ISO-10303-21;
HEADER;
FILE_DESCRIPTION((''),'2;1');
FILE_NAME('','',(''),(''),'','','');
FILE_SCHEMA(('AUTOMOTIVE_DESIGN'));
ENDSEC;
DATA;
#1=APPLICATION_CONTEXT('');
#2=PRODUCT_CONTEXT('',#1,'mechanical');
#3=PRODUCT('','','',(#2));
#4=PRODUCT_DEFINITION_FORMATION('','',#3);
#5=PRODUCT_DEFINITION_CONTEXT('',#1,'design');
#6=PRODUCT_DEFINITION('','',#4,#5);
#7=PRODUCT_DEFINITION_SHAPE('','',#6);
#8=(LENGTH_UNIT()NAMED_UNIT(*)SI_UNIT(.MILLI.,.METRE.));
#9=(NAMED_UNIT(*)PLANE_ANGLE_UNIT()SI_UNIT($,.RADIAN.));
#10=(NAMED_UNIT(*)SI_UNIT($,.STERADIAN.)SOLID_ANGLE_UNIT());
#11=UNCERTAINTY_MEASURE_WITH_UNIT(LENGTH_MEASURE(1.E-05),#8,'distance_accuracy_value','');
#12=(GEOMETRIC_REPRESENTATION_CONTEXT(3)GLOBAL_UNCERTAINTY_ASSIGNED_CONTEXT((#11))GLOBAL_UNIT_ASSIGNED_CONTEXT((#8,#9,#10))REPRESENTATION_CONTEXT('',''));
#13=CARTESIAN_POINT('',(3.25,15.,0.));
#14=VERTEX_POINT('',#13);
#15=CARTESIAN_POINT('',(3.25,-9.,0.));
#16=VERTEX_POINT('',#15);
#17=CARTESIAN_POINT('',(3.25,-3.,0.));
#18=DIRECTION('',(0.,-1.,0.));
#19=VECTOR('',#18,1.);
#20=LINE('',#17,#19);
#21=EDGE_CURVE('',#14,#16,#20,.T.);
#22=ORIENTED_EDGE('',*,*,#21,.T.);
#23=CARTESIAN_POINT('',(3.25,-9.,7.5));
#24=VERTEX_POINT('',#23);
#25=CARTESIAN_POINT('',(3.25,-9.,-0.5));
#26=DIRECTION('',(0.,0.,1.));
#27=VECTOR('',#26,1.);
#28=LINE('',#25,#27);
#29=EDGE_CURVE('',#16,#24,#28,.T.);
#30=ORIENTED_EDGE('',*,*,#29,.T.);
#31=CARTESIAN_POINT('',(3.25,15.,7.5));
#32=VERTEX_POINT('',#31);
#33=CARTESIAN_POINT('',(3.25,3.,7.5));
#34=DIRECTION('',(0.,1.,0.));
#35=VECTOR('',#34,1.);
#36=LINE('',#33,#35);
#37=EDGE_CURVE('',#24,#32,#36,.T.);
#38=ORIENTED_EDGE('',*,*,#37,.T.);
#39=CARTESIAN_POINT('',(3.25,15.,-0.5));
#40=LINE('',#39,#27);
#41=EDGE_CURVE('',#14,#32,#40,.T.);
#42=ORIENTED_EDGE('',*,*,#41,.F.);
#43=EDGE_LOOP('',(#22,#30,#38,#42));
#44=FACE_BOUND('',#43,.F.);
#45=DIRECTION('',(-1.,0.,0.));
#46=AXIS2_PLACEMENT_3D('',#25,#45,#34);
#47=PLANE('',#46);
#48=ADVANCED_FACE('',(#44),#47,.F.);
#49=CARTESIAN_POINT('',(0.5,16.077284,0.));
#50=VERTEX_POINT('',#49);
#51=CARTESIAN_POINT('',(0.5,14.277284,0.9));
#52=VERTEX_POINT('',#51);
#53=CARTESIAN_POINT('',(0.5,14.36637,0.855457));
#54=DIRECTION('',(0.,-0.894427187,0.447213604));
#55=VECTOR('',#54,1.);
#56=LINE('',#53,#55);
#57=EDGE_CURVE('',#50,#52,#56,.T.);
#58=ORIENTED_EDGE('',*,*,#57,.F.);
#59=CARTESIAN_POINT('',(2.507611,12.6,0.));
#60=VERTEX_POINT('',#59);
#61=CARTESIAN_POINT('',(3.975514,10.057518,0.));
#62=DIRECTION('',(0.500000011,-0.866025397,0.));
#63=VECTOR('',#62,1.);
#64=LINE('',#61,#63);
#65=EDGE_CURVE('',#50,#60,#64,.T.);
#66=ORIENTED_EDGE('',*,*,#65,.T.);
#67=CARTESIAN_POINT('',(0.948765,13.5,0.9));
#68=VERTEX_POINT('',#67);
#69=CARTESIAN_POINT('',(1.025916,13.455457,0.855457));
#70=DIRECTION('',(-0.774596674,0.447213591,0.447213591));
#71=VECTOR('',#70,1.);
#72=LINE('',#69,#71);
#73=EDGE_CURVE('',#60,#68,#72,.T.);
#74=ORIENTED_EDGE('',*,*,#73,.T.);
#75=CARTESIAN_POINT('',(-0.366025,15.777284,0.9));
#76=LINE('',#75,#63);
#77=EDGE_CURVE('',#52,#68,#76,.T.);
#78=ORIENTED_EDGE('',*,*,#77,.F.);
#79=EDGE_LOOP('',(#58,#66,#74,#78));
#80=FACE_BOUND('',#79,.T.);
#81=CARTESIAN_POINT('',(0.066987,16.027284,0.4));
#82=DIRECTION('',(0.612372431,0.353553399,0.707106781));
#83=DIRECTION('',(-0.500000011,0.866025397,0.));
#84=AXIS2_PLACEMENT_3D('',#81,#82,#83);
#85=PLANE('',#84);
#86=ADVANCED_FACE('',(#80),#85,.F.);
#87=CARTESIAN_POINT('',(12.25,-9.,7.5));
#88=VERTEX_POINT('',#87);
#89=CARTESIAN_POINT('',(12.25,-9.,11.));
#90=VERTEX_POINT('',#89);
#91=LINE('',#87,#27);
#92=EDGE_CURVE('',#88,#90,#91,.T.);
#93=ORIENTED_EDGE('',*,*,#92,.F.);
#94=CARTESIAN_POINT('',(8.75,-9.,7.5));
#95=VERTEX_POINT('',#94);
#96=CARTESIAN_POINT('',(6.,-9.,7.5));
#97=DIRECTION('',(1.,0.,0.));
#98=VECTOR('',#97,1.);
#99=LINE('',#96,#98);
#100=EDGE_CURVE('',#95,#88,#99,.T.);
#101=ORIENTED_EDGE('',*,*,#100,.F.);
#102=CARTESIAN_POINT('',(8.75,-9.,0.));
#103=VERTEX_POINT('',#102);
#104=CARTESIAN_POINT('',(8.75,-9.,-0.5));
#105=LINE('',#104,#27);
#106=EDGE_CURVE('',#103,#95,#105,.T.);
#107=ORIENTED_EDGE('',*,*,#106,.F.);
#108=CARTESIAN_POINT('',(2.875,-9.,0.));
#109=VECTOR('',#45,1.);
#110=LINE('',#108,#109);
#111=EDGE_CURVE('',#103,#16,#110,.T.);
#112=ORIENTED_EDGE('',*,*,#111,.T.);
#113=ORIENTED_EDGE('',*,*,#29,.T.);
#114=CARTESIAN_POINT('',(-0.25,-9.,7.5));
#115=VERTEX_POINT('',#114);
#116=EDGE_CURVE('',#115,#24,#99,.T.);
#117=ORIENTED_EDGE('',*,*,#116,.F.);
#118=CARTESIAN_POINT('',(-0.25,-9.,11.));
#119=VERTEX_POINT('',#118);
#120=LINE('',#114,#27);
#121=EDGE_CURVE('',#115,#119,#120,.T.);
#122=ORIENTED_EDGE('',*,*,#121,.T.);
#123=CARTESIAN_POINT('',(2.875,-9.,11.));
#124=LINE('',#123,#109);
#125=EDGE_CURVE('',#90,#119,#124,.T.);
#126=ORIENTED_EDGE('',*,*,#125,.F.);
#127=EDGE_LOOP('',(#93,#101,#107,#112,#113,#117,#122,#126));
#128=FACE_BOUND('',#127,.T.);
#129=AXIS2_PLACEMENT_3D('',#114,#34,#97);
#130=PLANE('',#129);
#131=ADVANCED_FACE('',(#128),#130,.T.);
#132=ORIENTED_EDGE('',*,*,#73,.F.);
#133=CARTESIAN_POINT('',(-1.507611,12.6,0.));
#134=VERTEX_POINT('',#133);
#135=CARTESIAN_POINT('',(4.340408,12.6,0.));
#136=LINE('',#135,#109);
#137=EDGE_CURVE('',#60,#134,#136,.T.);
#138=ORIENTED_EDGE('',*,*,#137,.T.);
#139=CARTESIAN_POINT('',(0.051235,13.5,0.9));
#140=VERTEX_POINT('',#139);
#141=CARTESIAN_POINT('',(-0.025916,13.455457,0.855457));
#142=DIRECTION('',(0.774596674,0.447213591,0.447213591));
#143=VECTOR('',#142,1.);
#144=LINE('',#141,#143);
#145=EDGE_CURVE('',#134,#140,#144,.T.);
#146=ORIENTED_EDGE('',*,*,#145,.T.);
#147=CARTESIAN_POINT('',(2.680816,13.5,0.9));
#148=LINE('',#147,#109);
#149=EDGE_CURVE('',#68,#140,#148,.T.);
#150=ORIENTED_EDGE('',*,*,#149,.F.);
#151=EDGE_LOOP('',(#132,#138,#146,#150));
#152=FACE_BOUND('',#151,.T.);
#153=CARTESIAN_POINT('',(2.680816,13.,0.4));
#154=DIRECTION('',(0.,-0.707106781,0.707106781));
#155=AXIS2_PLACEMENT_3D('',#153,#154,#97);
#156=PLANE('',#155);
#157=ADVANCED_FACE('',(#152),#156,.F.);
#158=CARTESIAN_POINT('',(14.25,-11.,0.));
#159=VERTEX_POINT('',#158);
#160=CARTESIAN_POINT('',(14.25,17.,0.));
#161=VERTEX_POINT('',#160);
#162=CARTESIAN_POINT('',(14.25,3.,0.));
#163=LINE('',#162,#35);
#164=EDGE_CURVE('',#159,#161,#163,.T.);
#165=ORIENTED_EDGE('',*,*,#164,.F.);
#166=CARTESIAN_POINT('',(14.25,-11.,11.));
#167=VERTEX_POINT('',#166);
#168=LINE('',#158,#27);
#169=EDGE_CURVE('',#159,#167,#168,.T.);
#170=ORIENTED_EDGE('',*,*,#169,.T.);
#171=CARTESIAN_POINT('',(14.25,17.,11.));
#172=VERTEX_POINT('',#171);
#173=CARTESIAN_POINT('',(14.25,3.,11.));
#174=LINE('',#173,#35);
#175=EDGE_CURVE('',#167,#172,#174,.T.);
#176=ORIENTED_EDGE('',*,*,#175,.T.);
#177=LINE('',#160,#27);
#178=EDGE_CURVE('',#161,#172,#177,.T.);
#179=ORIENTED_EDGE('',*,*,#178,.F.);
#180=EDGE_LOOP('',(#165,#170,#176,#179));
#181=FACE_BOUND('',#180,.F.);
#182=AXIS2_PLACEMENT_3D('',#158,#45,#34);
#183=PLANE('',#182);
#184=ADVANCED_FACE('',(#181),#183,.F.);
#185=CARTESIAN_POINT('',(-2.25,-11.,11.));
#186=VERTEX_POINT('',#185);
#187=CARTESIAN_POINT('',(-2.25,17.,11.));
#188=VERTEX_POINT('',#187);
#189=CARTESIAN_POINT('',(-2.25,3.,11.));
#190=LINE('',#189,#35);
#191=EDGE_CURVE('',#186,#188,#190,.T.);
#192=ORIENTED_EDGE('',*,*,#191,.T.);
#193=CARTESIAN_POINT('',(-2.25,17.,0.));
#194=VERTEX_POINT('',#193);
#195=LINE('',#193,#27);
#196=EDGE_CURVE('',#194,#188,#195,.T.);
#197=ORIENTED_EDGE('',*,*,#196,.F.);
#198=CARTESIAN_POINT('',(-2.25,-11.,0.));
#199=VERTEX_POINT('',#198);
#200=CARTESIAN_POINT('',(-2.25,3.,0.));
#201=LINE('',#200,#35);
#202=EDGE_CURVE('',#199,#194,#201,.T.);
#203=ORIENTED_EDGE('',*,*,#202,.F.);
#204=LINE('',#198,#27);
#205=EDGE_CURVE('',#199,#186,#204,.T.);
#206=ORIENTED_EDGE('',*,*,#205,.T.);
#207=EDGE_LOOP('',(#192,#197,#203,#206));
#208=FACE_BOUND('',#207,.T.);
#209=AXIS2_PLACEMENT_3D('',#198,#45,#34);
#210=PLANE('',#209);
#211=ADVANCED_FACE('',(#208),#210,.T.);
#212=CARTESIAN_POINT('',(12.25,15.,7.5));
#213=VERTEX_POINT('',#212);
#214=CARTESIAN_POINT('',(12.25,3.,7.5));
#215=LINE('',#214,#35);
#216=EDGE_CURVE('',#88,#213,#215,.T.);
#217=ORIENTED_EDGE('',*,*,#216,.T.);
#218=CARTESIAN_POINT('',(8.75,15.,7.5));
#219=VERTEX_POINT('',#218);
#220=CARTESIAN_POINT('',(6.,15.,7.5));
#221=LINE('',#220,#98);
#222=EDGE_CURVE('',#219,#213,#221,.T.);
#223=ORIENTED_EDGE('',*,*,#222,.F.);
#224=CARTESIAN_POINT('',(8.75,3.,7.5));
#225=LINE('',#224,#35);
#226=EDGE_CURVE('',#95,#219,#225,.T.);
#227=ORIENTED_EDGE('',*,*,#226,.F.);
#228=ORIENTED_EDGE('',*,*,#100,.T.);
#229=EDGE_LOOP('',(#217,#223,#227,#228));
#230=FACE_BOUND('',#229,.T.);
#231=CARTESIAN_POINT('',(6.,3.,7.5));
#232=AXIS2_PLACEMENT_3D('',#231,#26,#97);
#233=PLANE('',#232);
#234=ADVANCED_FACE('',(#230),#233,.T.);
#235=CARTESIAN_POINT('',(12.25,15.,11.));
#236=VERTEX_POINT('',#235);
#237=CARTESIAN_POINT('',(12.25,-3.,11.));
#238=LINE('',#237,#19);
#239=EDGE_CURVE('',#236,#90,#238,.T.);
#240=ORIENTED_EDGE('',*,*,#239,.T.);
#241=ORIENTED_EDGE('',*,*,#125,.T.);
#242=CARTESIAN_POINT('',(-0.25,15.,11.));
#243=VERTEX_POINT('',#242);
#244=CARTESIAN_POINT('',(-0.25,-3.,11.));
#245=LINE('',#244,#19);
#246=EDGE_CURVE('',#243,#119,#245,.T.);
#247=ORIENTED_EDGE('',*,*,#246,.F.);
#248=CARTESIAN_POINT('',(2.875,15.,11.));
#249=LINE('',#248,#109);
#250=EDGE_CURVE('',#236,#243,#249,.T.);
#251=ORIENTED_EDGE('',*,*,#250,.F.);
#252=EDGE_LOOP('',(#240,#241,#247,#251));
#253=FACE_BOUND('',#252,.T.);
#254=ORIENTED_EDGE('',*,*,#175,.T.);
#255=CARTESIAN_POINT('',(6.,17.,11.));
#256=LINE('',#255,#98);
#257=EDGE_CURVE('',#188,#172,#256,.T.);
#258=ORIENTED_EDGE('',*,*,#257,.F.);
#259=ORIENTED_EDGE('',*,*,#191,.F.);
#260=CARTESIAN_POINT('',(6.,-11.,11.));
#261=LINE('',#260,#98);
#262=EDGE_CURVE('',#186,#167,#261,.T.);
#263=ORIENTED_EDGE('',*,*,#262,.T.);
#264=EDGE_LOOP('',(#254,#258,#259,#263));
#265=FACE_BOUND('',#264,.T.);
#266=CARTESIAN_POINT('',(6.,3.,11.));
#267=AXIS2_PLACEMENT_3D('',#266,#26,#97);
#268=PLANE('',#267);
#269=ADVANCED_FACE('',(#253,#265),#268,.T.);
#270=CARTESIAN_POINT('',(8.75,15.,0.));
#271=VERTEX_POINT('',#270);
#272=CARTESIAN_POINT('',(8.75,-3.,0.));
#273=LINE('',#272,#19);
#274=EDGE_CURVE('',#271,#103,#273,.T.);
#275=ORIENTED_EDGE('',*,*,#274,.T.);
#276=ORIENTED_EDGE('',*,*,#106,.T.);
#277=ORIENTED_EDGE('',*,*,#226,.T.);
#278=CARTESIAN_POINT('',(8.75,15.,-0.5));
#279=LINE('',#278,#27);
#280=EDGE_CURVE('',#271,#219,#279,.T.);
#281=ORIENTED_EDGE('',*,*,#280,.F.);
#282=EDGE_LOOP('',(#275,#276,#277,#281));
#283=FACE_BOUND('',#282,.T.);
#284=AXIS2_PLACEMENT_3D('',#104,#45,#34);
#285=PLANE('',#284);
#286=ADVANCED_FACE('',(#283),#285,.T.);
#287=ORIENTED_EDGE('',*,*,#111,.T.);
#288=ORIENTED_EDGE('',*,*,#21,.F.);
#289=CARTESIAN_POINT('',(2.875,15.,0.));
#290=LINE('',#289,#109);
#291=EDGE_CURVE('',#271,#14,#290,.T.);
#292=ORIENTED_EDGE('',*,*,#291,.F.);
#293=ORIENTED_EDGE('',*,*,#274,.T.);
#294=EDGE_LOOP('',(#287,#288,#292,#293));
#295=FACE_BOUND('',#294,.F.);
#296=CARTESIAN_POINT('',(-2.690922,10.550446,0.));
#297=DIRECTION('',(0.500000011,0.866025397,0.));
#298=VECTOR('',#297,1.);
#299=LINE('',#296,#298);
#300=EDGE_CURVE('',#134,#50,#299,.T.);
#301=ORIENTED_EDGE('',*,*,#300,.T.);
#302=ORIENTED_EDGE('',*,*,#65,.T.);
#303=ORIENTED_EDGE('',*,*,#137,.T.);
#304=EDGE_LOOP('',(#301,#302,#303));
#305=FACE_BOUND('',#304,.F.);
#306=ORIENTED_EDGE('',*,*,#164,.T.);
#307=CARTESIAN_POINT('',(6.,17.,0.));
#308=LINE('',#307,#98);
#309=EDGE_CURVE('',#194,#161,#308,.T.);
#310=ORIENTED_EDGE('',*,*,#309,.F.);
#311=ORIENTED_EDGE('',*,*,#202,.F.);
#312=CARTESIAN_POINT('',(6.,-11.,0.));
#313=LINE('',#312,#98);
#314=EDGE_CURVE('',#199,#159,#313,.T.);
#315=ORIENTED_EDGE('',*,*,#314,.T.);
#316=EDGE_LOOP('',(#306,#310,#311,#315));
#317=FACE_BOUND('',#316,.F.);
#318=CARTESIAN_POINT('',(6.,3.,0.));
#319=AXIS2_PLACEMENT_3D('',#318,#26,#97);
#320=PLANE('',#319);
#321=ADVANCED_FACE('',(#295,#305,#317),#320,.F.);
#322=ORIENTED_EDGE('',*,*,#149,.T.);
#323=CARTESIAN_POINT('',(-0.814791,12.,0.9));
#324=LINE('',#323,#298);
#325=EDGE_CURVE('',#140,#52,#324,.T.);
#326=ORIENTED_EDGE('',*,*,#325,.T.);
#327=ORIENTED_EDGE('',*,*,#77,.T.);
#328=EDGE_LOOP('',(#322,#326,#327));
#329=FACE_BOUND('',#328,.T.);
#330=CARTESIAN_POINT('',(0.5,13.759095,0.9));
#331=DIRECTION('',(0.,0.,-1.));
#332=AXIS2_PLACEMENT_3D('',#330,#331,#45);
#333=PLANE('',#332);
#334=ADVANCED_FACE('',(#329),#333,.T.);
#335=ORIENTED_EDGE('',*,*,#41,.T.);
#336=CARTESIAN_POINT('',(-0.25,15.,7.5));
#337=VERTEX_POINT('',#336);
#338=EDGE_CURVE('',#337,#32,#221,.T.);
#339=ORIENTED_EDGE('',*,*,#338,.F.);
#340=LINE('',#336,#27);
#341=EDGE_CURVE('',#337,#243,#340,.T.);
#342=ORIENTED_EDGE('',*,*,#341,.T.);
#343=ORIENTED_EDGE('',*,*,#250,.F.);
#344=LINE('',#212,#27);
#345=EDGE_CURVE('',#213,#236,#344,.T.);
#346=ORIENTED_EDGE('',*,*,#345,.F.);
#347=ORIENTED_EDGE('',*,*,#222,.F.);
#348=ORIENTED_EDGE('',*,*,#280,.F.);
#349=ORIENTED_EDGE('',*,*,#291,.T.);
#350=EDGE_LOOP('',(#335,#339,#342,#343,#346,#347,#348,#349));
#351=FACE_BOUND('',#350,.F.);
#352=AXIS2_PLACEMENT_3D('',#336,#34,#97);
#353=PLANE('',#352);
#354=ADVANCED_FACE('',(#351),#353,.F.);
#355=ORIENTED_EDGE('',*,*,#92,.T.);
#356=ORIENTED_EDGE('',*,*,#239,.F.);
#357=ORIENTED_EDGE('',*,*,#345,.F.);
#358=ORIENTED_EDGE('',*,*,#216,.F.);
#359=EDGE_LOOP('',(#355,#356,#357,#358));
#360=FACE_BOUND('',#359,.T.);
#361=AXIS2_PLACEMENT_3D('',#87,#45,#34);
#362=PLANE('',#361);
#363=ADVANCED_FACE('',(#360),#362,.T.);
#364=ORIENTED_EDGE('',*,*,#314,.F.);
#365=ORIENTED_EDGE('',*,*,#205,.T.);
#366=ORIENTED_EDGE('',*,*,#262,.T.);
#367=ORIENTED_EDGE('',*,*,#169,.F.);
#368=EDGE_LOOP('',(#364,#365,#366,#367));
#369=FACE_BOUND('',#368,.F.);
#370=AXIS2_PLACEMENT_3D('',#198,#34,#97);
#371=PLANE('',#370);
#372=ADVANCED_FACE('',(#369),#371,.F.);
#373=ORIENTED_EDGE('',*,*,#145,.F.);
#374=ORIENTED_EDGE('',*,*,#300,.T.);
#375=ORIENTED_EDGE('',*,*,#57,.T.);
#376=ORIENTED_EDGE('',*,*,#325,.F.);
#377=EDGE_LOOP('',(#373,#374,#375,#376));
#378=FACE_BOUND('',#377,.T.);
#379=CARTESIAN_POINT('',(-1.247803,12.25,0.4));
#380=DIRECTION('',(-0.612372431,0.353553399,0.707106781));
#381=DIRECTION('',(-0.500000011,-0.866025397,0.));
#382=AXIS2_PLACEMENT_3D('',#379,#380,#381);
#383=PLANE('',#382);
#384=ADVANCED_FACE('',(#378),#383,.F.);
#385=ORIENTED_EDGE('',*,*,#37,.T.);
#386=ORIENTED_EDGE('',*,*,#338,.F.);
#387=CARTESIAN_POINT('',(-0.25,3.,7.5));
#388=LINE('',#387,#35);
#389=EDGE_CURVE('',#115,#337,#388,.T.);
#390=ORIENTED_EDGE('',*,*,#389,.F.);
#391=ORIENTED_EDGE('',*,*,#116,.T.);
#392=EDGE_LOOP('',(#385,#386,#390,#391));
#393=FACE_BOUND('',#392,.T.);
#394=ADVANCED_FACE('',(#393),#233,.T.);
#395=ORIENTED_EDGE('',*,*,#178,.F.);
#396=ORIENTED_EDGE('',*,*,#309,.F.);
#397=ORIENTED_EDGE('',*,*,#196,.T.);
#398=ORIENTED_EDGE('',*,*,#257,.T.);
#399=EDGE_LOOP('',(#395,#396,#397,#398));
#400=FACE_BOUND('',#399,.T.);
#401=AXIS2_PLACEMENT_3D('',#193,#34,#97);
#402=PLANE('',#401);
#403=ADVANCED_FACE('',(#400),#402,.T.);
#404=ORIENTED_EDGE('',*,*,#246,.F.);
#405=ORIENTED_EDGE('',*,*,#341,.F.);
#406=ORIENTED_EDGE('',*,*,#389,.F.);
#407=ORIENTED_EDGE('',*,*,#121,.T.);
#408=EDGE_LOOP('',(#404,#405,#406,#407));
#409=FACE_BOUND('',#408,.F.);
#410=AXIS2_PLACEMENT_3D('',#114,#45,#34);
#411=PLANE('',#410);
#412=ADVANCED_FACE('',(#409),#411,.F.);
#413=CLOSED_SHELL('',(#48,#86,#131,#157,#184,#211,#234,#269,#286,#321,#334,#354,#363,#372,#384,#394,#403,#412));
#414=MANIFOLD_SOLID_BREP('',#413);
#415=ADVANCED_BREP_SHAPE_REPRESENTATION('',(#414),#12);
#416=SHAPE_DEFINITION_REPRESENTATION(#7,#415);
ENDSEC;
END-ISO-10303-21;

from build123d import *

# Parameters (mm, degrees)
BOX014_W                   = 5.5
BOX014_H                   = 24
BOX014_DEPTH               = 8
BOX016_W                   = 12.5
BOX016_H                   = 24
BOX016_DEPTH               = 4
PAD009_DEPTH               = 1.1
CHAMFER001_SIZE            = 1
CHAMFER001_PLACEMENT_ANGLE = 180
BOX015_W                   = 16.5
BOX015_H                   = 28
BOX015_DEPTH               = 11


with BuildPart() as cube014:
    # Box014 → Box014 (new body)
    with BuildSketch(Plane(origin=(3.25, -9, -0.5), x_dir=(1, 0, 0), z_dir=(0, 0, 1))):
        with Locations((2.75, 12)):
            Rectangle(BOX014_W, BOX014_H)
    extrude(amount=BOX014_DEPTH)


with BuildPart() as cube016:
    # Box016 → Box016 (new body)
    with BuildSketch(Plane(origin=(-0.25, -9, 7.5), x_dir=(1, 0, 0), z_dir=(0, 0, 1))):
        with Locations((6.25, 12)):
            Rectangle(BOX016_W, BOX016_H)
    extrude(amount=BOX016_DEPTH)


with BuildPart() as fusion010:
    # Sketch012 → Pad009 (new body)
    with BuildSketch(Plane.XY):
        Polygon((0, 20.777284), (-2.180816, 17), (2.180816, 17), align=None)
    extrude(amount=PAD009_DEPTH)

    # Chamfer001
    chamfer001_edges = [fusion010.edges().sort_by_distance(p)[0] for p in [
        (-1.090408, 18.888642, 0),
        (0, 17, 0),
        (1.090408, 18.888642, 0),
    ]]
    chamfer(chamfer001_edges, length=CHAMFER001_SIZE)


with BuildPart() as fusion010_1:
    # Chamfer001 placement: moved
    add(fusion010.part.moved(Location((0.5, -4.5, 0.9))).rotate(Axis((0.5, -4.5, 0.9), (0, 1, 0)), CHAMFER001_PLACEMENT_ANGLE))

    # Fusion010: union Cube014, Cube016
    add(cube014.part)
    add(cube016.part)


with BuildPart() as tracklightconninner:
    # Box015 → Box015 (new body)
    with BuildSketch(Plane(origin=(-2.25, -11, 0), x_dir=(1, 0, 0), z_dir=(0, 0, 1))):
        with Locations((8.25, 14)):
            Rectangle(BOX015_W, BOX015_H)
    extrude(amount=BOX015_DEPTH)

    # Cut021: cut Fusion010
    add(fusion010_1.part, mode=Mode.SUBTRACT)


solid = tracklightconninner.part
